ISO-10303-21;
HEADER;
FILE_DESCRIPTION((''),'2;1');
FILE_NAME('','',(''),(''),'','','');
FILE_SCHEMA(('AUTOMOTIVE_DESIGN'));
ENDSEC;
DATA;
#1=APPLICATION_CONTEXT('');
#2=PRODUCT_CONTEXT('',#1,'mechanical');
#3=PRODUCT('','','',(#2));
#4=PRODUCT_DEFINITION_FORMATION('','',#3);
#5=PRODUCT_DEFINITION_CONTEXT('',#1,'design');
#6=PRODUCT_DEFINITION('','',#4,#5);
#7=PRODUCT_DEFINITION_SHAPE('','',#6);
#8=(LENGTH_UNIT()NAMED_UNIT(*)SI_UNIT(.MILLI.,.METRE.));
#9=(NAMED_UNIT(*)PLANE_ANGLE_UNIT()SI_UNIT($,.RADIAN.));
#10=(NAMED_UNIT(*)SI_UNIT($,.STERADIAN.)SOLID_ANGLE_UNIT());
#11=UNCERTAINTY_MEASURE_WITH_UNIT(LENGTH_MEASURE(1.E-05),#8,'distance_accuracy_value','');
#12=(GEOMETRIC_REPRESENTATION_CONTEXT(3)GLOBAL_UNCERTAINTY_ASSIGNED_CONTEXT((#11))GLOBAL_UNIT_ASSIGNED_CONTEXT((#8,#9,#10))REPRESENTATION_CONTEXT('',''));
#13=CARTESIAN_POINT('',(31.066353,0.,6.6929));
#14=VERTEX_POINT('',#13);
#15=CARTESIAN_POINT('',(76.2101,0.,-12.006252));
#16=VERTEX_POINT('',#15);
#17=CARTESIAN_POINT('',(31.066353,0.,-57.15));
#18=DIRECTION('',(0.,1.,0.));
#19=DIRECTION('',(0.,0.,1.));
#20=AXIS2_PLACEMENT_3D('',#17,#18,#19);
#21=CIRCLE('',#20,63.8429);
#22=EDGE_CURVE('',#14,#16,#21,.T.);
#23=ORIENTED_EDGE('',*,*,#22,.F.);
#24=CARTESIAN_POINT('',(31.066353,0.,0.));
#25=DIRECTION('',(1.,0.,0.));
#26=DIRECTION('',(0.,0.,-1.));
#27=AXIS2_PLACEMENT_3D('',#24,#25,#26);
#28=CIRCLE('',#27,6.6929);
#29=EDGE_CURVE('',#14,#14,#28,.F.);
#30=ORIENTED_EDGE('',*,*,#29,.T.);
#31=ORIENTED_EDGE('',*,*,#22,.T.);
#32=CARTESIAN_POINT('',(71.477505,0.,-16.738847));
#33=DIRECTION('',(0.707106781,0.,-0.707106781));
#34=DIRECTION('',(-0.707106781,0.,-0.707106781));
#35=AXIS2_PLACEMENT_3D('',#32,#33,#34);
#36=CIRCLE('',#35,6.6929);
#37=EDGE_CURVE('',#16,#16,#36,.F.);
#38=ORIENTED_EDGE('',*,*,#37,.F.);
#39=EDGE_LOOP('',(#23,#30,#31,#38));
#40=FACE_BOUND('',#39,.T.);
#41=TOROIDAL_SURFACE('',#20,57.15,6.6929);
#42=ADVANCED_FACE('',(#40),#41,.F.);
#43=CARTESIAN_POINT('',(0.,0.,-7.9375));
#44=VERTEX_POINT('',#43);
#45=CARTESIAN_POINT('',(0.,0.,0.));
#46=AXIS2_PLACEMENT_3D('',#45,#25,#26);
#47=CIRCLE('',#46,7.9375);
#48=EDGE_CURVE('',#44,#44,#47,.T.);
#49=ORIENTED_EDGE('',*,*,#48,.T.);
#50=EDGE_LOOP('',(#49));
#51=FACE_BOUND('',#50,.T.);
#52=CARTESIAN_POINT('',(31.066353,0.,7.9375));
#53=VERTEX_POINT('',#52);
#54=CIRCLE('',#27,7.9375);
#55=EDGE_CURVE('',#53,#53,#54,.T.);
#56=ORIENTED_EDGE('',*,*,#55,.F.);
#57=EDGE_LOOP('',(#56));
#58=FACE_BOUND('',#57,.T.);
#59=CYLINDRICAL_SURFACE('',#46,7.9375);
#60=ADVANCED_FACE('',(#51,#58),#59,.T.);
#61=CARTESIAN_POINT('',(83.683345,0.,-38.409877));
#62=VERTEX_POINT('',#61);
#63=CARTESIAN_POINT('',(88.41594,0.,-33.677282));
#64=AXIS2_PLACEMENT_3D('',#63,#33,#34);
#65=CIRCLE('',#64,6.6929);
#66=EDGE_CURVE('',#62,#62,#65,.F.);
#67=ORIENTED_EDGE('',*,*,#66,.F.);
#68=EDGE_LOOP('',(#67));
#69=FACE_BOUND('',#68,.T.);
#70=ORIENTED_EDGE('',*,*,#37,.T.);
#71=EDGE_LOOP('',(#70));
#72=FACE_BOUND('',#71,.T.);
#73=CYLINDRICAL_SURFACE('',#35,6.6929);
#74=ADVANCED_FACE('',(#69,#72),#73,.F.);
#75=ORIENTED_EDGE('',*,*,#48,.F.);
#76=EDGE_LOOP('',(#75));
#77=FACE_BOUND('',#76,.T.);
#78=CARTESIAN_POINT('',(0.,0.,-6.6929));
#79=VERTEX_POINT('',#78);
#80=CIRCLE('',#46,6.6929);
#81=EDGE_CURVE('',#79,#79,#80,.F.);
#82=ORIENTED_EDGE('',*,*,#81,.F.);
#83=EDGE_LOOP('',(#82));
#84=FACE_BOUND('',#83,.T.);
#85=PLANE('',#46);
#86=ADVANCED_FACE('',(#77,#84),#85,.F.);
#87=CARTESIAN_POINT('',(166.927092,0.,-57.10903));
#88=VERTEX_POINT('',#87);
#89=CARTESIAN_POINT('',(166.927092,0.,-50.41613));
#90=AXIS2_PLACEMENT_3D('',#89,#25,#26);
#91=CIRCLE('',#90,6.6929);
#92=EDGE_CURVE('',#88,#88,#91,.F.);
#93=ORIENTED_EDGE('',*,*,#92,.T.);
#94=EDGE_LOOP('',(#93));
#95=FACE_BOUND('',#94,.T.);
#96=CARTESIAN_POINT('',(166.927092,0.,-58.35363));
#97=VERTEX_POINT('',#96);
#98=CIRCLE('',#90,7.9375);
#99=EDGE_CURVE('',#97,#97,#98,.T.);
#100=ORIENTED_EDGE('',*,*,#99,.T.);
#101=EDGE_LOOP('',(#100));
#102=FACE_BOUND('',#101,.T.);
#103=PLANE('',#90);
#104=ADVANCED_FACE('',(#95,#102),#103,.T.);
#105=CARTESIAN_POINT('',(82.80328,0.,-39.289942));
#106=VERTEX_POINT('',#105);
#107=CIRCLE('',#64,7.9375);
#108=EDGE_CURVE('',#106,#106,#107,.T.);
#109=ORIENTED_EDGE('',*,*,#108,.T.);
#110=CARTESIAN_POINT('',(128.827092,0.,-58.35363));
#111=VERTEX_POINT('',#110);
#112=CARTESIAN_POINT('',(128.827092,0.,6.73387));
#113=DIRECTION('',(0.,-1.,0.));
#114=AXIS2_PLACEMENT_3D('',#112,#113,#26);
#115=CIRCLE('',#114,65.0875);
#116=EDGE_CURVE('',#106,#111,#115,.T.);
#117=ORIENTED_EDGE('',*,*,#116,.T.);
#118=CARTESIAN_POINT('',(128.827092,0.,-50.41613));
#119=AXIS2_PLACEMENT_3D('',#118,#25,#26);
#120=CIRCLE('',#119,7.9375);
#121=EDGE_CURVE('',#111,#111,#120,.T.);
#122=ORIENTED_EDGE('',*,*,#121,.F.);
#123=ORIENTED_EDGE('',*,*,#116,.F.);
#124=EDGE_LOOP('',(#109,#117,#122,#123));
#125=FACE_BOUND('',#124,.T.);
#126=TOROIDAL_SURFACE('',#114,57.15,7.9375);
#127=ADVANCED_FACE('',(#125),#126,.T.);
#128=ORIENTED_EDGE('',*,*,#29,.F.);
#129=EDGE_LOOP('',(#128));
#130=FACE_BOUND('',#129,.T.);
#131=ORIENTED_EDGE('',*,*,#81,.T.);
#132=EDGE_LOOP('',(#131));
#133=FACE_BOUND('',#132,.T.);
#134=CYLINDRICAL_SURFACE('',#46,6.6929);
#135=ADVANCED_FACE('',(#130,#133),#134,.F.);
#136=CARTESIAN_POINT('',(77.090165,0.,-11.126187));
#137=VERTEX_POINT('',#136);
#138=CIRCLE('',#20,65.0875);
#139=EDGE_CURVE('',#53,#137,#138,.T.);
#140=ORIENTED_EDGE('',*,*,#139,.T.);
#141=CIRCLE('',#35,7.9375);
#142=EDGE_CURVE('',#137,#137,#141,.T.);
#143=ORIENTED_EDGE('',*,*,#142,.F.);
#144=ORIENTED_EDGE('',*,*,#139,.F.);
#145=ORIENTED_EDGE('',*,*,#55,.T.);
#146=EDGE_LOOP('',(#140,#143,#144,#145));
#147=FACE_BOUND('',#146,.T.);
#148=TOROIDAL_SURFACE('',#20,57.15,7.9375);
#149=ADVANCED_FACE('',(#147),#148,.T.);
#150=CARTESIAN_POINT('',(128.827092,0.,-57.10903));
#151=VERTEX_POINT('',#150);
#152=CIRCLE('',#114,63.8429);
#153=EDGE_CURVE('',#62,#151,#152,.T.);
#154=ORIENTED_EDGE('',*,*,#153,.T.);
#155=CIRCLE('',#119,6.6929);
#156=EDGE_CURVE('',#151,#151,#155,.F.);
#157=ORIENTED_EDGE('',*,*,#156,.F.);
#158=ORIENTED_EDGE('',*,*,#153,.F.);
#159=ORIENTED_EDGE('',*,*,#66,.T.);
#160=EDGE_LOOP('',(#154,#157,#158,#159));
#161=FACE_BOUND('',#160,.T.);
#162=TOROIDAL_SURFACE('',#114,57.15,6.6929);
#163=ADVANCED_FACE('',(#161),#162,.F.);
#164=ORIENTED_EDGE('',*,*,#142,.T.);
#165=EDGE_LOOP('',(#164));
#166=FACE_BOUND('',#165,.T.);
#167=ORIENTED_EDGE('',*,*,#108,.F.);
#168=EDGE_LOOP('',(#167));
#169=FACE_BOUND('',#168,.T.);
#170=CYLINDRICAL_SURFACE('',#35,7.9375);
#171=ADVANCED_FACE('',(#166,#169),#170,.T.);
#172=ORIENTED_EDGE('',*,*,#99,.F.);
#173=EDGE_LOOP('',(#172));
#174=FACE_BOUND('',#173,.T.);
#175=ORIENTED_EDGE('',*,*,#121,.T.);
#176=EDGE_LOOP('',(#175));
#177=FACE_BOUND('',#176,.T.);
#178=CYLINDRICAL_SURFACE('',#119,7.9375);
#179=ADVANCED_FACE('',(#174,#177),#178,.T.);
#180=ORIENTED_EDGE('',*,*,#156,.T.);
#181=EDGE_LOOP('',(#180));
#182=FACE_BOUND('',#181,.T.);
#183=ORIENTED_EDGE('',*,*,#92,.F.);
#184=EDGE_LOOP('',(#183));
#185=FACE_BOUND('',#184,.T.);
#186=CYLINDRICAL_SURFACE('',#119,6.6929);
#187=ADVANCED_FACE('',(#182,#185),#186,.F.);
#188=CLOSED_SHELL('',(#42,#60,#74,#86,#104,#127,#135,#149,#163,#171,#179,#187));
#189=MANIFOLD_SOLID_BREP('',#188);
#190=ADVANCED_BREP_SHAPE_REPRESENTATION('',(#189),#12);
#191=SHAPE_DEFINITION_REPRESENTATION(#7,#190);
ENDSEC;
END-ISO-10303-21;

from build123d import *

# Parameters (mm, degrees)
SKETCH2_R   = 7.9375
SKETCH2_R_2 = 6.6929


with BuildPart() as part:
    # Sweep1: sweep along a path in Sketch1
    with BuildLine(Plane(origin=(0, 0, 0), x_dir=(1, 0, 0), z_dir=(0, 1, 0))) as sweep1_path:
        Line((0, 0), (31.066352514, 0))
        ThreePointArc((31.066352514, 0), (52.936710674, 4.350284717), (71.477505059, 16.738847455))
        Line((71.477505059, 16.738847455), (88.415939949, 33.677282345))
        ThreePointArc((88.415939949, 33.677282345), (106.956734334, 46.065845083), (128.827092494, 50.4161298))
        Line((128.827092494, 50.4161298), (166.927092494, 50.4161298))
    # Sketch2 → Sweep1 (sweep)
    with BuildSketch(Plane(origin=(0, 0, 0), x_dir=(0, 0, -1), z_dir=(1, 0, 0))):
        Circle(SKETCH2_R)
        Circle(SKETCH2_R_2, mode=Mode.SUBTRACT)
    sweep(path=sweep1_path.line)


solid = part.part
